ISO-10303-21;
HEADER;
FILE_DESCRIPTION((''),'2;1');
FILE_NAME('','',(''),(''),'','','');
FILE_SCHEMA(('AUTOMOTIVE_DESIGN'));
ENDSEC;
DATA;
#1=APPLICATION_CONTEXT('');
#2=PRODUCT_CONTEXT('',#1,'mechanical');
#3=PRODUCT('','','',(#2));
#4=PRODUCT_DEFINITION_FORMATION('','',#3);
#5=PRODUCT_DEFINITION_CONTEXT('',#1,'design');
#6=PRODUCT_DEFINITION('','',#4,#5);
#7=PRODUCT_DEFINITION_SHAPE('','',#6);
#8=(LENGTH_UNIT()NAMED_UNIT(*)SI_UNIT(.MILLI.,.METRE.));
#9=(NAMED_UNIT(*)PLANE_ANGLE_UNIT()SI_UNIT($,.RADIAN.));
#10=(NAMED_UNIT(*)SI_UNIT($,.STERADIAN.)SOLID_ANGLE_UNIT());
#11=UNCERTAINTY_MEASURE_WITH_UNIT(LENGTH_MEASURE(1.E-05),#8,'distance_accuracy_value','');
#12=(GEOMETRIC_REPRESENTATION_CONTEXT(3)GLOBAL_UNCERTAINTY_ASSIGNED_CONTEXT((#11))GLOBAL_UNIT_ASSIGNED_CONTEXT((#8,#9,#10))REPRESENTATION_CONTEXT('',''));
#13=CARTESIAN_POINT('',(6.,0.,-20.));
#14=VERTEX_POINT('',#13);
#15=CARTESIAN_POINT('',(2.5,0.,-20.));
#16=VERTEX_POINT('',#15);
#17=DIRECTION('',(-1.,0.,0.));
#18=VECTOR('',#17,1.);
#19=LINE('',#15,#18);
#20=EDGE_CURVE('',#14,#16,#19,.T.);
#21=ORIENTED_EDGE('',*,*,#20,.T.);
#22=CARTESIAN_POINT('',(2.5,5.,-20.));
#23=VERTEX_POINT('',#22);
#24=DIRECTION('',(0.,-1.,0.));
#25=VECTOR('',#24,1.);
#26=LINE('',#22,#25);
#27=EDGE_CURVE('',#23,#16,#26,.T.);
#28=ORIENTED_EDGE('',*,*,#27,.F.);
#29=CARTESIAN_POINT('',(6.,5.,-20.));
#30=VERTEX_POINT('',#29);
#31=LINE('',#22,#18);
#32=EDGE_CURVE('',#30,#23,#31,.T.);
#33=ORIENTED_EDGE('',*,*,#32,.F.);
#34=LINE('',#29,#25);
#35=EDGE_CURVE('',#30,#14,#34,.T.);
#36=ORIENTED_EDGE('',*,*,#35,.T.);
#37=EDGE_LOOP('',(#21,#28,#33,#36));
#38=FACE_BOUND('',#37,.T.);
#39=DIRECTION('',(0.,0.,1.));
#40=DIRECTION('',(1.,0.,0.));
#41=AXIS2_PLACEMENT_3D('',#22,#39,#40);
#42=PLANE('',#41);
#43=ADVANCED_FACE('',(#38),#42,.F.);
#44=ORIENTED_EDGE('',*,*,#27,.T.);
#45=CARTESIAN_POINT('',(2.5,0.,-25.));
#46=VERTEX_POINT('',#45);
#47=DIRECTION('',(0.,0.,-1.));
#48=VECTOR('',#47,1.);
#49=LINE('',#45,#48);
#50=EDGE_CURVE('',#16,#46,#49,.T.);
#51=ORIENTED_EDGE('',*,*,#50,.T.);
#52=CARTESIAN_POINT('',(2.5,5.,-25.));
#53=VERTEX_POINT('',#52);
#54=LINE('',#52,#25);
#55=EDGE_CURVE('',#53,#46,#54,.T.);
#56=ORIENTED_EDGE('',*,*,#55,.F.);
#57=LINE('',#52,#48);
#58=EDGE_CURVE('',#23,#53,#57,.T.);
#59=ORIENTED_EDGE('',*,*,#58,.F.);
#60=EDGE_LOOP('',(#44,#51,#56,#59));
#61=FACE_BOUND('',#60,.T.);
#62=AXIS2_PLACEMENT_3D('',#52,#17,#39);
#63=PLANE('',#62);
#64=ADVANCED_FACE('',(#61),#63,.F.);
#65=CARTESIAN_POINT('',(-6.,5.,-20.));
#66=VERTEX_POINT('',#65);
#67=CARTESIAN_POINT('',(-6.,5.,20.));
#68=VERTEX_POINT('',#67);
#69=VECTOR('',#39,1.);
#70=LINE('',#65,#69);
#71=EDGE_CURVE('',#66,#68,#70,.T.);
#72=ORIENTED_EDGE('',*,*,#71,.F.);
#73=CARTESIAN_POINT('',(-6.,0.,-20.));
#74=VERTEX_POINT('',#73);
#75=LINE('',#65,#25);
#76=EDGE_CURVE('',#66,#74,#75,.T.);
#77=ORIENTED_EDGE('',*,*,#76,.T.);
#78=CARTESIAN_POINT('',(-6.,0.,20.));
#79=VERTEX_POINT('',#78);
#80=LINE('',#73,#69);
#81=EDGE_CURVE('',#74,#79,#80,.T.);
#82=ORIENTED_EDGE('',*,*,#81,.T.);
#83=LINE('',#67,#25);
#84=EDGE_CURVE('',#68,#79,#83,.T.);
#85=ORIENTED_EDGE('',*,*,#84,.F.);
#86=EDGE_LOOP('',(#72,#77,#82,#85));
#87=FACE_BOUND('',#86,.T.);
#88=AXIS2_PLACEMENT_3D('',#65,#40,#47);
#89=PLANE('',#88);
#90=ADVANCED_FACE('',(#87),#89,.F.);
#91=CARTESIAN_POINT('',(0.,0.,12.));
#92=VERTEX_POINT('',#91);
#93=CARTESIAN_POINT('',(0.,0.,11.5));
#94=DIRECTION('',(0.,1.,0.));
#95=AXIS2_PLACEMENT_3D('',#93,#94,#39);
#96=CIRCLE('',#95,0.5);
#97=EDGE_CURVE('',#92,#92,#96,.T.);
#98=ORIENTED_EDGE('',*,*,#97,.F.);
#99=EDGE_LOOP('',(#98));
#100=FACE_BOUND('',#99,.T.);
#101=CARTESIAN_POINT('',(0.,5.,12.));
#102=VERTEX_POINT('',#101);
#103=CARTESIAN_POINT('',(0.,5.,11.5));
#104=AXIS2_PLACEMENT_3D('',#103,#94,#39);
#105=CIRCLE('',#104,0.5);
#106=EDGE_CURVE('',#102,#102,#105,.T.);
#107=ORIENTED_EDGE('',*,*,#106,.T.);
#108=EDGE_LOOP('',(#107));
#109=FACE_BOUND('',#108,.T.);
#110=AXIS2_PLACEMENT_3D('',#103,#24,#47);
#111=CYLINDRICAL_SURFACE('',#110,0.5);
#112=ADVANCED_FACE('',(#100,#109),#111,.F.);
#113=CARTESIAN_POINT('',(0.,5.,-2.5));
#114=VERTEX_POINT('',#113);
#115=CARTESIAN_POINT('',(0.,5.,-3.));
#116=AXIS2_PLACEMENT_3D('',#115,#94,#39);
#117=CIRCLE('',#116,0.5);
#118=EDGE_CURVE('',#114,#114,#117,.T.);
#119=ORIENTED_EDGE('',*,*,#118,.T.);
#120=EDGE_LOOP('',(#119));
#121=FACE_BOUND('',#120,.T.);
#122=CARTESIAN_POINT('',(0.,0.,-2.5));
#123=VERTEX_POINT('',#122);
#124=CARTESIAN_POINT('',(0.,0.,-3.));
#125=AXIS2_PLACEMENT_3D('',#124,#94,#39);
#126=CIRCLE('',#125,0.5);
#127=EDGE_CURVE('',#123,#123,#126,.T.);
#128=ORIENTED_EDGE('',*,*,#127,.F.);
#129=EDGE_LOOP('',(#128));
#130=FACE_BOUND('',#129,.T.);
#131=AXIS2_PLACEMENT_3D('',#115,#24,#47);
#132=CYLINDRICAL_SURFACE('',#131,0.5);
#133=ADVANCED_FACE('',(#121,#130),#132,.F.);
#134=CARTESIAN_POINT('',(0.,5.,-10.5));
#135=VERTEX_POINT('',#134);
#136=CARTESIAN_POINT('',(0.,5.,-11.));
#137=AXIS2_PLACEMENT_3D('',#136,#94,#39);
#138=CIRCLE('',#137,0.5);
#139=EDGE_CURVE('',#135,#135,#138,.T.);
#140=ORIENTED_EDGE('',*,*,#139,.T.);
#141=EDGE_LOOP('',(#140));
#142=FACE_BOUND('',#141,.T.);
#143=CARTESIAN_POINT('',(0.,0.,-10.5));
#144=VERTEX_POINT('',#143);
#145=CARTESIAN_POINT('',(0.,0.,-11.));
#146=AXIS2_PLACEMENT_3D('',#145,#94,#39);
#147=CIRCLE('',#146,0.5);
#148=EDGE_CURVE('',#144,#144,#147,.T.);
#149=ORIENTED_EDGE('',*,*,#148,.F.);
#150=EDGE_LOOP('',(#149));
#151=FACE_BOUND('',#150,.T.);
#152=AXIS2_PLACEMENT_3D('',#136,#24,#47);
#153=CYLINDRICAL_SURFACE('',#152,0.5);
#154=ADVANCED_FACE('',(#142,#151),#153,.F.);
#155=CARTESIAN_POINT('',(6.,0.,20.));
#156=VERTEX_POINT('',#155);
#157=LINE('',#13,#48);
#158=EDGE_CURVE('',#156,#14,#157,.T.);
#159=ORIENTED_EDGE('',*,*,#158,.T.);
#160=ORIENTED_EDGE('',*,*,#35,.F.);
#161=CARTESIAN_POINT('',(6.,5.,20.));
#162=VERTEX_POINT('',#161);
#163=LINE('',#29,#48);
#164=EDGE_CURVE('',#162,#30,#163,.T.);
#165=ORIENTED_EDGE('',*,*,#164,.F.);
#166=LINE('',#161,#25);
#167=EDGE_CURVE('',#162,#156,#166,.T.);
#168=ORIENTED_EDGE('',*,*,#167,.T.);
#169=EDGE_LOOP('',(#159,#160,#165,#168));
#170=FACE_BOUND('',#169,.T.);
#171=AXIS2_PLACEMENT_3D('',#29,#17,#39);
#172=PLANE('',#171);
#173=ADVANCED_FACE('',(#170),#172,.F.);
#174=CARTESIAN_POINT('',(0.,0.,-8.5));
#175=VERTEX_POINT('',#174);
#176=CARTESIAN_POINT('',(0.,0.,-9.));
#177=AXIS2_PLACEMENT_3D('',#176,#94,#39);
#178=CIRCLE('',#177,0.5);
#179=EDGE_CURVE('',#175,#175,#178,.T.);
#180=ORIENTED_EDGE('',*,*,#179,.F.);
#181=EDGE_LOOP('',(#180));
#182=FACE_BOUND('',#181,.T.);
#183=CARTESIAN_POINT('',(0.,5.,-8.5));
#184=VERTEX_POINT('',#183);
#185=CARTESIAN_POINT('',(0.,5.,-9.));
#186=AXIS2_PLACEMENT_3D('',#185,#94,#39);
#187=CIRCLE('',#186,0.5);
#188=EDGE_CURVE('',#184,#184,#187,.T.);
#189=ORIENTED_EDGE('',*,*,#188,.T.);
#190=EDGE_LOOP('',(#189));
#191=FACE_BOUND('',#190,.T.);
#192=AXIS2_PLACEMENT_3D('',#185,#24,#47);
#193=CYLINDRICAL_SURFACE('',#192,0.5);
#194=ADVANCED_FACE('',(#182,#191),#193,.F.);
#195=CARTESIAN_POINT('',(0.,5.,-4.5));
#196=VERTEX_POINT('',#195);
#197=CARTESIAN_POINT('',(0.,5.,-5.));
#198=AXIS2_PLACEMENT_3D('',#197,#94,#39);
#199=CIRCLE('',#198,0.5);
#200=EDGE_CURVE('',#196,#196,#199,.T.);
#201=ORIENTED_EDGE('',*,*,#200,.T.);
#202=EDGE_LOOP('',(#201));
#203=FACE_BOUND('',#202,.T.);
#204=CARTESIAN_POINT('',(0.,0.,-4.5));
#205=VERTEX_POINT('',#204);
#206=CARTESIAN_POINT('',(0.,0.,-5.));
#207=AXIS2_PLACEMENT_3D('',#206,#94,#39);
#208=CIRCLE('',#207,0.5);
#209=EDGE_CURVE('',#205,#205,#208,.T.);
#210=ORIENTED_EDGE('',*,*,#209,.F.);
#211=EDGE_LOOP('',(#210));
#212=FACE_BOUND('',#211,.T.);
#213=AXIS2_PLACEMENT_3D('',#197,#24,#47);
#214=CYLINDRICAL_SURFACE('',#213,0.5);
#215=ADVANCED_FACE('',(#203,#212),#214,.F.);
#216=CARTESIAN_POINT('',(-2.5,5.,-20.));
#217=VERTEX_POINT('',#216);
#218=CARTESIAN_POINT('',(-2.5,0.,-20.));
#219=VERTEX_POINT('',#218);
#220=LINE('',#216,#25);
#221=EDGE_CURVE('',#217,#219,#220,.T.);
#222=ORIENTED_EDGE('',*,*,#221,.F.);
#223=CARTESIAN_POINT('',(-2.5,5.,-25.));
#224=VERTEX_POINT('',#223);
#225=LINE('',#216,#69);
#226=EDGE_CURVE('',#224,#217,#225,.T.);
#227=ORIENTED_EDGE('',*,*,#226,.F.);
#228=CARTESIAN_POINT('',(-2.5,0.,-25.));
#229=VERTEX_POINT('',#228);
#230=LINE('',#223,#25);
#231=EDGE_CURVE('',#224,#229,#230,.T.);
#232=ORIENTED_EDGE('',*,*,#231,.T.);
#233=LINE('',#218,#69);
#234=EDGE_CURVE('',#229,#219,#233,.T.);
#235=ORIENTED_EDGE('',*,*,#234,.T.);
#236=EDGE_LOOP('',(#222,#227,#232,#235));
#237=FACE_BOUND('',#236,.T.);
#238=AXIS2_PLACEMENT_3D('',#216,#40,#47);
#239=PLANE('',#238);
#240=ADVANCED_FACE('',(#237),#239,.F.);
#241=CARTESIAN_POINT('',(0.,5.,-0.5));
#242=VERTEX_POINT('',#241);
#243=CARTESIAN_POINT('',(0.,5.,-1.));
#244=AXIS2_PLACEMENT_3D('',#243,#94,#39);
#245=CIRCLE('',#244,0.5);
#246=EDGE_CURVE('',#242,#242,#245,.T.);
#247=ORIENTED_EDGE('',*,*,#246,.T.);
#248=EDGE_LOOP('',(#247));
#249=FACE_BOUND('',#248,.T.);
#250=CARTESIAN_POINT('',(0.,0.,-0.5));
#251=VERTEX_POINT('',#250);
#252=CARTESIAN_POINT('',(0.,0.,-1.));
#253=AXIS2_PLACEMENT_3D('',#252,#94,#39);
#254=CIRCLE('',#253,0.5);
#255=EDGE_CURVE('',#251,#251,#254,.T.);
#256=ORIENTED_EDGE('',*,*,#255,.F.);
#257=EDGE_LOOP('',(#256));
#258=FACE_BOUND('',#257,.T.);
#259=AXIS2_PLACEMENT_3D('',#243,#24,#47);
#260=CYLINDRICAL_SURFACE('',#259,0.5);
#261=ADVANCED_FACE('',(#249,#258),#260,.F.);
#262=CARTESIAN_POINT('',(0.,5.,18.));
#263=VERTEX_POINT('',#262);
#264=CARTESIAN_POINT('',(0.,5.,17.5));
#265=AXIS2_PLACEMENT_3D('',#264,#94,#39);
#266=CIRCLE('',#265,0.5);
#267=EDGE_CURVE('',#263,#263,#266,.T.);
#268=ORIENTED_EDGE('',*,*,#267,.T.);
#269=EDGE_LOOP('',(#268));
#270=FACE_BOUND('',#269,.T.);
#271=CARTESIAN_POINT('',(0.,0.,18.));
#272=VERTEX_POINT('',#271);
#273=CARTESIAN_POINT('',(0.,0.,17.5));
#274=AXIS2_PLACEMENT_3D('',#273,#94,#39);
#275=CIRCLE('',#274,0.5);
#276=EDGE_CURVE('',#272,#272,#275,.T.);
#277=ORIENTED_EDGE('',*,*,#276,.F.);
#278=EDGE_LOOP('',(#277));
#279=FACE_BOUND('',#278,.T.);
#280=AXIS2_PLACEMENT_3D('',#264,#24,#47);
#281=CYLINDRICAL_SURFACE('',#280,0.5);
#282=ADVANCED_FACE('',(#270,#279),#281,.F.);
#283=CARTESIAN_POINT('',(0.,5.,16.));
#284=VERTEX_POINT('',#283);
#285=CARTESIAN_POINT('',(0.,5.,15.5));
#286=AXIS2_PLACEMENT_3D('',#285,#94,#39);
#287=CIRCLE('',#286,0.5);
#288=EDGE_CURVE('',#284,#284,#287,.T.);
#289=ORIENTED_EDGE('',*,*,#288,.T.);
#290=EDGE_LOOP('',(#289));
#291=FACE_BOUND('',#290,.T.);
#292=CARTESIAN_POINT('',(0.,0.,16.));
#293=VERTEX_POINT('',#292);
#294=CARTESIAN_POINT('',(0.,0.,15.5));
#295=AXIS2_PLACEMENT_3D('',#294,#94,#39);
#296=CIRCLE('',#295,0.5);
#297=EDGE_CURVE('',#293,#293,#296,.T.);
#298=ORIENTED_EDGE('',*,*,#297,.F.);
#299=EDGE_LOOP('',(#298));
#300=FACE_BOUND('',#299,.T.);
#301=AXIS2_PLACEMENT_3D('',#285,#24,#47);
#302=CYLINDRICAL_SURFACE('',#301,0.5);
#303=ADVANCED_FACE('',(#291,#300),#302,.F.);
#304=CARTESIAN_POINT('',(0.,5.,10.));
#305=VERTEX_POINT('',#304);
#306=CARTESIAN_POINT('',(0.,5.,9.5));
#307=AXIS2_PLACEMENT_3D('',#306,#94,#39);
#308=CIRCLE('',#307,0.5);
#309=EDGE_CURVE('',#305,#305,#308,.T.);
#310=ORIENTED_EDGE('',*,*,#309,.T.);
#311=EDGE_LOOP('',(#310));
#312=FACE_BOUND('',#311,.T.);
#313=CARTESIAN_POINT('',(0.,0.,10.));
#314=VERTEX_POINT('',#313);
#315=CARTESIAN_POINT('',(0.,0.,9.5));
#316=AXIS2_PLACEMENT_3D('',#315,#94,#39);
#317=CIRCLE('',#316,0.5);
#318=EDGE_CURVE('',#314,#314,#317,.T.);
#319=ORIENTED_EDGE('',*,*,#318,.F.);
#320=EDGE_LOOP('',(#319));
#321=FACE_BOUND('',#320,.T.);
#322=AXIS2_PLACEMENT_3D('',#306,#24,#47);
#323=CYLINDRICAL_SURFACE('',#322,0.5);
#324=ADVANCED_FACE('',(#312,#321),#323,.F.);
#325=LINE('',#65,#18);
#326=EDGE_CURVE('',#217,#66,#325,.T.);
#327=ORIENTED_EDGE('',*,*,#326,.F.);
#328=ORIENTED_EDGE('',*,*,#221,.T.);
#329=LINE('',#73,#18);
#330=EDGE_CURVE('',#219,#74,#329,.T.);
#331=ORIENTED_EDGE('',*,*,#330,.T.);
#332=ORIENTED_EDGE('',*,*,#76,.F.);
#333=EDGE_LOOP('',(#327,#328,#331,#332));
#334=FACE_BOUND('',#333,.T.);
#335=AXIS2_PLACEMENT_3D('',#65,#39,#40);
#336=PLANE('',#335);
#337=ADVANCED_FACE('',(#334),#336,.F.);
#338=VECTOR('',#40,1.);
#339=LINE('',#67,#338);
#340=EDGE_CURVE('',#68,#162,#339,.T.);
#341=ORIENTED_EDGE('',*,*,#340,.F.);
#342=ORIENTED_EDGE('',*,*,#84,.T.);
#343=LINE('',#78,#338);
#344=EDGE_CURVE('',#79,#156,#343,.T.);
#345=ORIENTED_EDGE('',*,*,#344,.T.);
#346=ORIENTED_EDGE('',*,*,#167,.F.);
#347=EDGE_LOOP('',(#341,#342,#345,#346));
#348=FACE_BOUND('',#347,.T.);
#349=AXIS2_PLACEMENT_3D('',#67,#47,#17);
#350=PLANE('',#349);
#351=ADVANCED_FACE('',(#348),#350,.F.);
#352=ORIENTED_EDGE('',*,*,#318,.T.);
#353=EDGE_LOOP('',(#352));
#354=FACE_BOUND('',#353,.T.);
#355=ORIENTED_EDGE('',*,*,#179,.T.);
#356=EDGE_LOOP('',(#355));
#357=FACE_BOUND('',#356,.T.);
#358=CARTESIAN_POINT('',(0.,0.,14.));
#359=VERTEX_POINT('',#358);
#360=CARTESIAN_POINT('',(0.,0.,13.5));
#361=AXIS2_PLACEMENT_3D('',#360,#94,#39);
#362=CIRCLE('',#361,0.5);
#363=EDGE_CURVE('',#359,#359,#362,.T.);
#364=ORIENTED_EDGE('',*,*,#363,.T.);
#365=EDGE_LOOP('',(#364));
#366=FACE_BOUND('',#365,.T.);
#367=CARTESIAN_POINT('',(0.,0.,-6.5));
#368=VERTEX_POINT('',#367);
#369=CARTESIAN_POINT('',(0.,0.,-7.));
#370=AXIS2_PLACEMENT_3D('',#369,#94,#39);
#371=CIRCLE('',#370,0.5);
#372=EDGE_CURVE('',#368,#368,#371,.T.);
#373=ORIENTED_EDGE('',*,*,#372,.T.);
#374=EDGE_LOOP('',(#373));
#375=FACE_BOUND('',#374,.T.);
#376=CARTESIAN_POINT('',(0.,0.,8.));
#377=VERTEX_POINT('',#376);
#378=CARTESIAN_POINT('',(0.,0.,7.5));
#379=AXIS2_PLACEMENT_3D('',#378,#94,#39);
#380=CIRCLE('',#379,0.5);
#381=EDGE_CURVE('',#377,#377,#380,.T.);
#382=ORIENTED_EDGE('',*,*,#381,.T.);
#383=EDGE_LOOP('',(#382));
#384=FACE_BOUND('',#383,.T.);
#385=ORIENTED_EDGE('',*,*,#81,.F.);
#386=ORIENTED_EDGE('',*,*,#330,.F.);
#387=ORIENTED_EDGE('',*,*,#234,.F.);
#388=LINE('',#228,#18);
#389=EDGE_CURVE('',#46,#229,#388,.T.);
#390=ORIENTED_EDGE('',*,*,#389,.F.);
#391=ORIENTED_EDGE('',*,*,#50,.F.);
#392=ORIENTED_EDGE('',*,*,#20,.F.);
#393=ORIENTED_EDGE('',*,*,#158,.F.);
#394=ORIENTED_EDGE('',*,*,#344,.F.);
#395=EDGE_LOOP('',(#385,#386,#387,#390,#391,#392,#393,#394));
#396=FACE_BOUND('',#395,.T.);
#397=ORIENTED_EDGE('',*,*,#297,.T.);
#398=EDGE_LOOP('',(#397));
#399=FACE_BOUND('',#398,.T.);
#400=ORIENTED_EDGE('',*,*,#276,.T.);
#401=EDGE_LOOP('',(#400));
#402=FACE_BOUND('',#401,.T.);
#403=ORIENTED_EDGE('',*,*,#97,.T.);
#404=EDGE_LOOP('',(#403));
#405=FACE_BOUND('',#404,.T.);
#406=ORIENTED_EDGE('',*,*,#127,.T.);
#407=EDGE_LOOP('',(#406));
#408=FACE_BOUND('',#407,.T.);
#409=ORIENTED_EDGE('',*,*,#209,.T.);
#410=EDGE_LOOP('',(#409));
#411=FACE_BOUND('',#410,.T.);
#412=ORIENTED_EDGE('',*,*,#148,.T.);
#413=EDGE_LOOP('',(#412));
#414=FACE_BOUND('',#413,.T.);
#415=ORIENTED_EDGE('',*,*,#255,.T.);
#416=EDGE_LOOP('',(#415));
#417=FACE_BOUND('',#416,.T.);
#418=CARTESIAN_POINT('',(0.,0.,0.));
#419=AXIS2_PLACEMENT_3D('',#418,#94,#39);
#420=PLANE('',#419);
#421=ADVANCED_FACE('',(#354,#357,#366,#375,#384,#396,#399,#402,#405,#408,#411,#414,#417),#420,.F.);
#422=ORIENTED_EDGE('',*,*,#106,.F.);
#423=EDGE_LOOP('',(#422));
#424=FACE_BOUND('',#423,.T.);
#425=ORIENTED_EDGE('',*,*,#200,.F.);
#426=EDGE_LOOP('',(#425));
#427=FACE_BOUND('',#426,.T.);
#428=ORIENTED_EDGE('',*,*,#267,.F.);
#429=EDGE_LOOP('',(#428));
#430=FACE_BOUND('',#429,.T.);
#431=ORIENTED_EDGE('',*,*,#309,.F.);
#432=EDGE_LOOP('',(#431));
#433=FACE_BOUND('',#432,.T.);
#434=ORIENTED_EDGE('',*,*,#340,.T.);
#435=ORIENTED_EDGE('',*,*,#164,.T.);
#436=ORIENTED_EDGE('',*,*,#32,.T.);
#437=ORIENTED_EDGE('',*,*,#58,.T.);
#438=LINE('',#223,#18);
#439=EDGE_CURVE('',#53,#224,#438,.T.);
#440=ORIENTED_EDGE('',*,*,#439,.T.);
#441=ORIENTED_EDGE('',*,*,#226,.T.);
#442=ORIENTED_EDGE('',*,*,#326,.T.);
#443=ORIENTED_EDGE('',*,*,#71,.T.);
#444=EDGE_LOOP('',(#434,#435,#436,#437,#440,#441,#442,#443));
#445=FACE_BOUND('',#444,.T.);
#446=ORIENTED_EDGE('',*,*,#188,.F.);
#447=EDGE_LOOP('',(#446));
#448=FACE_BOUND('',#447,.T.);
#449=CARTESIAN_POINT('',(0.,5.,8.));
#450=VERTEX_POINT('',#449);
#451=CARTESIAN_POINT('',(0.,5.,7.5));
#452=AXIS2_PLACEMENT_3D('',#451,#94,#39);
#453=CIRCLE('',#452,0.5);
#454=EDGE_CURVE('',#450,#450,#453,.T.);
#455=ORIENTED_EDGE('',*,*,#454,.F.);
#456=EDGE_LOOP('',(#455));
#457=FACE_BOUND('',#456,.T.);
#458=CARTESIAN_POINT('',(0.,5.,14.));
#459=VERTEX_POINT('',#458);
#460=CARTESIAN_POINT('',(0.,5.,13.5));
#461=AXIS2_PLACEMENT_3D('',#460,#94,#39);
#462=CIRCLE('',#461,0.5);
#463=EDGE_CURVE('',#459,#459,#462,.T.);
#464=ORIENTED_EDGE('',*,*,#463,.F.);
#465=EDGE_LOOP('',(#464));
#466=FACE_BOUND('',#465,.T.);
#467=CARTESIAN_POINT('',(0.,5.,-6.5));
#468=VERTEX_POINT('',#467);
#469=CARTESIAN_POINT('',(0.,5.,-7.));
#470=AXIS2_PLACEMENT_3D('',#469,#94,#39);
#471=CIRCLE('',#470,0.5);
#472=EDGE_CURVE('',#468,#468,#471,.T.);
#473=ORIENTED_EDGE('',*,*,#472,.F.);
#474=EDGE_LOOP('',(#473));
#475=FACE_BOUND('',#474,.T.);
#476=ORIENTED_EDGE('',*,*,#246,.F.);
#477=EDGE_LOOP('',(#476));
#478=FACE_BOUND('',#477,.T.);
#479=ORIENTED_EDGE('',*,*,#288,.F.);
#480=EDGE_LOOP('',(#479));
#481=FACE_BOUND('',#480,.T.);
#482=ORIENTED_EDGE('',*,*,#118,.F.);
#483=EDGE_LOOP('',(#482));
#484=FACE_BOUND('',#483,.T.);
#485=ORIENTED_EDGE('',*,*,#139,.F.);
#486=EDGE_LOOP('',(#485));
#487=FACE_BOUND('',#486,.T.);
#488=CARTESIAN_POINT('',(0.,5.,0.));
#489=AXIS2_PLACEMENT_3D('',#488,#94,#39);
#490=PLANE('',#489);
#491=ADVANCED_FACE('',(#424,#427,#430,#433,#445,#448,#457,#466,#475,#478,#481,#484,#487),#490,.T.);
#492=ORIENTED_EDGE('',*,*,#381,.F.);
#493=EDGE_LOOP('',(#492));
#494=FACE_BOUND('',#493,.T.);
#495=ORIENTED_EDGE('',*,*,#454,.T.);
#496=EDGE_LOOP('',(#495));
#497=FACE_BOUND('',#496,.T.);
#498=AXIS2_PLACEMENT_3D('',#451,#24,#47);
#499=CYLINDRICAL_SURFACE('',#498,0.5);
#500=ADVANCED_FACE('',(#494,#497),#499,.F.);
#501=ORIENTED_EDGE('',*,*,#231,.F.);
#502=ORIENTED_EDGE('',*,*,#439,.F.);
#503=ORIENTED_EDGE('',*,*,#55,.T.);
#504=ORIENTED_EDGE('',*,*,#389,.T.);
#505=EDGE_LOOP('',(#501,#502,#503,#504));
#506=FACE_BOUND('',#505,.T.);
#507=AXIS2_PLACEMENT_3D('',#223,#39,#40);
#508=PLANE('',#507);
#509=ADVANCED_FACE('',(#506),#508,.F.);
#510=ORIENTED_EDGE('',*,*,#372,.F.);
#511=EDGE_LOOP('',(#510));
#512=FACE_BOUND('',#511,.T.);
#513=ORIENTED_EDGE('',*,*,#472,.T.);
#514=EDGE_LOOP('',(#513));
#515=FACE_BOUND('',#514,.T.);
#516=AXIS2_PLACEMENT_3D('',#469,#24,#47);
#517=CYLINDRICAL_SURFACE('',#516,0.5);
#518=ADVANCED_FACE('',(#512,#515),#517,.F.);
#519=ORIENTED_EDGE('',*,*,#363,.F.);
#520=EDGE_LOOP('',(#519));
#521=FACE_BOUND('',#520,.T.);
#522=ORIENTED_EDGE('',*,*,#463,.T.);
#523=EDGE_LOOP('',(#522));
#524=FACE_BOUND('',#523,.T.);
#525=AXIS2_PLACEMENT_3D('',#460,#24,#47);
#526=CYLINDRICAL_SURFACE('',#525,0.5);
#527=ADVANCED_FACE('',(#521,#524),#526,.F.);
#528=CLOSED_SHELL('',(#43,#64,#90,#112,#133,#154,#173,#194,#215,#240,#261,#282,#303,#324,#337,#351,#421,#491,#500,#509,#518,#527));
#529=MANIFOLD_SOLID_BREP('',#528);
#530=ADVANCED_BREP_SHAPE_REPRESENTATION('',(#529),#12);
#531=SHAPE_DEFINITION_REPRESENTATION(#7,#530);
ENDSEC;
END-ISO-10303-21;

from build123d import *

# Parameters (mm, degrees)
SKETCH1_R           = 0.5
BOSS_EXTRUDE1_DEPTH = 5


with BuildPart() as part:
    # Sketch1 → Boss-Extrude1 (new body)
    with BuildSketch(Plane(origin=(0, 0, 0), x_dir=(1, 0, 0), z_dir=(0, 1, 0))):
        Polygon((-2.5, 20), (-2.5, 25), (2.5, 25), (2.5, 20), (6, 20), (6, -20), (-6, -20), (-6, 20), align=None)
        with Locations(Location((0, 11, 0), (0, 0, 270))):
            Circle(SKETCH1_R, mode=Mode.SUBTRACT)
        with Locations(Location((0, 9, 0), (0, 0, 270))):
            Circle(SKETCH1_R, mode=Mode.SUBTRACT)
        with Locations(Location((0, 7, 0), (0, 0, 270))):
            Circle(SKETCH1_R, mode=Mode.SUBTRACT)
        with Locations(Location((0, 5, 0), (0, 0, 270))):
            Circle(SKETCH1_R, mode=Mode.SUBTRACT)
        with Locations(Location((0, 3, 0), (0, 0, 270))):
            Circle(SKETCH1_R, mode=Mode.SUBTRACT)
        with Locations(Location((0, 1, 0), (0, 0, 270))):
            Circle(SKETCH1_R, mode=Mode.SUBTRACT)
        with Locations(Location((0, -7.5, 0), (0, 0, 270))):
            Circle(SKETCH1_R, mode=Mode.SUBTRACT)
        with Locations(Location((0, -9.5, 0), (0, 0, 270))):
            Circle(SKETCH1_R, mode=Mode.SUBTRACT)
        with Locations(Location((0, -11.5, 0), (0, 0, 270))):
            Circle(SKETCH1_R, mode=Mode.SUBTRACT)
        with Locations(Location((0, -13.5, 0), (0, 0, 270))):
            Circle(SKETCH1_R, mode=Mode.SUBTRACT)
        with Locations(Location((0, -15.5, 0), (0, 0, 270))):
            Circle(SKETCH1_R, mode=Mode.SUBTRACT)
        with Locations(Location((0, -17.5, 0), (0, 0, 270))):
            Circle(SKETCH1_R, mode=Mode.SUBTRACT)
    extrude(amount=BOSS_EXTRUDE1_DEPTH)


solid = part.part
